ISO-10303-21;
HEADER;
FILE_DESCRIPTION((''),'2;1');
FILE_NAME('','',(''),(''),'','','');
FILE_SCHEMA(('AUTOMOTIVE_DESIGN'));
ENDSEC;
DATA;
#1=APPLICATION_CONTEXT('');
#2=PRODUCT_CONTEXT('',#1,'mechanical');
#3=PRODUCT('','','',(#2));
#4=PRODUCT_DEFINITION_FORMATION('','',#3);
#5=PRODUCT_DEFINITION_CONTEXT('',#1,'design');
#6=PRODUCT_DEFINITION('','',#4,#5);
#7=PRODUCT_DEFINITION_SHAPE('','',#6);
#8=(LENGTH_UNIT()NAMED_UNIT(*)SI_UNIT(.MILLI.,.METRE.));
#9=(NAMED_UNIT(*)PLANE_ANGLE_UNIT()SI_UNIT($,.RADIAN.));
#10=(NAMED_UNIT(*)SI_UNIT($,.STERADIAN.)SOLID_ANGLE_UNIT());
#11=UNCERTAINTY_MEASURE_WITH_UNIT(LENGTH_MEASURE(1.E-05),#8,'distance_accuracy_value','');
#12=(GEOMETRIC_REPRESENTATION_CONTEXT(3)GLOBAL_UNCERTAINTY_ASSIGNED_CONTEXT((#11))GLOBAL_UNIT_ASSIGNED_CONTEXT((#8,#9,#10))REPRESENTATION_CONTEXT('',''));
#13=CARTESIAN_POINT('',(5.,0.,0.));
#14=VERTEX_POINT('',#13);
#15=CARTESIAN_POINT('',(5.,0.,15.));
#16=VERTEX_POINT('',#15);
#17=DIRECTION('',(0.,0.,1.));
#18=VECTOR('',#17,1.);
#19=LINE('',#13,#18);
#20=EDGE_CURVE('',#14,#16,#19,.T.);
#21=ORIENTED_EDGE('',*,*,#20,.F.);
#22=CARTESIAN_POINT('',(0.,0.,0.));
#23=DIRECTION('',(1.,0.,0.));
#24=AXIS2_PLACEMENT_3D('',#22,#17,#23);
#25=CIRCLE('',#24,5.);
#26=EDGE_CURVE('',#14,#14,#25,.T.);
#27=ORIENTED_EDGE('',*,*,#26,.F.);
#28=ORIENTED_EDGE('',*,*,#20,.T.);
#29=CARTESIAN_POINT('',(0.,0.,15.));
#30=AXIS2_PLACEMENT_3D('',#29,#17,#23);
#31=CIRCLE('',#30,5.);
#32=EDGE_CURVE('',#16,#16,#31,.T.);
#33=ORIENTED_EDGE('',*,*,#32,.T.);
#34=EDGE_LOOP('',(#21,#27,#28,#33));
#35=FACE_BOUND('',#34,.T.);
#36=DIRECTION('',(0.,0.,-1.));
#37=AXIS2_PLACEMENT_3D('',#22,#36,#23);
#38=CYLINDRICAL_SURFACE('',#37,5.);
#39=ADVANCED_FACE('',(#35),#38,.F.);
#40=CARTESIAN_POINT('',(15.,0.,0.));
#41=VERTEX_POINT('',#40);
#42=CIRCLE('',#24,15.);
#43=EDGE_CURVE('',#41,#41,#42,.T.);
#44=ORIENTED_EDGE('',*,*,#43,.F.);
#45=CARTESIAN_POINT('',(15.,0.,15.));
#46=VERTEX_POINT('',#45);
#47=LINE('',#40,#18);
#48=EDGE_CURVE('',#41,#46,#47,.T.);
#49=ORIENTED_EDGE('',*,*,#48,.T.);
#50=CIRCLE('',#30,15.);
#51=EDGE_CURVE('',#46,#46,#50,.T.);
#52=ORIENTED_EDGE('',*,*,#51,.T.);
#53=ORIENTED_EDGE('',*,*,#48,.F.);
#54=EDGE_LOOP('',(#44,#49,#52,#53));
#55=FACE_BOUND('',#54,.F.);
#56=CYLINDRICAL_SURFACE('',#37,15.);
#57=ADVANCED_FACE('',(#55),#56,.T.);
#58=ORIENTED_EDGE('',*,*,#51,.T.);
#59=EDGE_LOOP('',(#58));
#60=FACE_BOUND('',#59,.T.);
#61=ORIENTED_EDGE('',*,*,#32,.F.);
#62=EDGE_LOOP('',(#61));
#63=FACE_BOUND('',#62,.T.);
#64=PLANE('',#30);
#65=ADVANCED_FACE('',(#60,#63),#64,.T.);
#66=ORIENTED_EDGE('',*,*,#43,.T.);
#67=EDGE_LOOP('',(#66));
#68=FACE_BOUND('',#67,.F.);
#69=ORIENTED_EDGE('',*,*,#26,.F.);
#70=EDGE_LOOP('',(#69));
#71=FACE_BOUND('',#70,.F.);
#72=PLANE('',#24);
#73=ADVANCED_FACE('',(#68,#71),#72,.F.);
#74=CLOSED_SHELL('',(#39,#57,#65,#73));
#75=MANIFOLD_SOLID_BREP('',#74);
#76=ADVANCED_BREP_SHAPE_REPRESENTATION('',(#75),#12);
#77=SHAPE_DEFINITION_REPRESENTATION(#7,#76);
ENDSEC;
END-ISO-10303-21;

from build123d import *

# Parameters (mm, degrees)
F0_R     = 15
F2_DEPTH = 15
F1_R     = 5
F3_DEPTH = 15


with BuildPart() as f2:
    # F0 (on Top) → F2 (new body)
    with BuildSketch(Plane.XY):
        Circle(F0_R)
    extrude(amount=F2_DEPTH)

    # F1 (on face) → F3 (cut)
    with BuildSketch(Plane.XY):
        Circle(F1_R)
    extrude(amount=F3_DEPTH, mode=Mode.SUBTRACT)


solid = f2.part
